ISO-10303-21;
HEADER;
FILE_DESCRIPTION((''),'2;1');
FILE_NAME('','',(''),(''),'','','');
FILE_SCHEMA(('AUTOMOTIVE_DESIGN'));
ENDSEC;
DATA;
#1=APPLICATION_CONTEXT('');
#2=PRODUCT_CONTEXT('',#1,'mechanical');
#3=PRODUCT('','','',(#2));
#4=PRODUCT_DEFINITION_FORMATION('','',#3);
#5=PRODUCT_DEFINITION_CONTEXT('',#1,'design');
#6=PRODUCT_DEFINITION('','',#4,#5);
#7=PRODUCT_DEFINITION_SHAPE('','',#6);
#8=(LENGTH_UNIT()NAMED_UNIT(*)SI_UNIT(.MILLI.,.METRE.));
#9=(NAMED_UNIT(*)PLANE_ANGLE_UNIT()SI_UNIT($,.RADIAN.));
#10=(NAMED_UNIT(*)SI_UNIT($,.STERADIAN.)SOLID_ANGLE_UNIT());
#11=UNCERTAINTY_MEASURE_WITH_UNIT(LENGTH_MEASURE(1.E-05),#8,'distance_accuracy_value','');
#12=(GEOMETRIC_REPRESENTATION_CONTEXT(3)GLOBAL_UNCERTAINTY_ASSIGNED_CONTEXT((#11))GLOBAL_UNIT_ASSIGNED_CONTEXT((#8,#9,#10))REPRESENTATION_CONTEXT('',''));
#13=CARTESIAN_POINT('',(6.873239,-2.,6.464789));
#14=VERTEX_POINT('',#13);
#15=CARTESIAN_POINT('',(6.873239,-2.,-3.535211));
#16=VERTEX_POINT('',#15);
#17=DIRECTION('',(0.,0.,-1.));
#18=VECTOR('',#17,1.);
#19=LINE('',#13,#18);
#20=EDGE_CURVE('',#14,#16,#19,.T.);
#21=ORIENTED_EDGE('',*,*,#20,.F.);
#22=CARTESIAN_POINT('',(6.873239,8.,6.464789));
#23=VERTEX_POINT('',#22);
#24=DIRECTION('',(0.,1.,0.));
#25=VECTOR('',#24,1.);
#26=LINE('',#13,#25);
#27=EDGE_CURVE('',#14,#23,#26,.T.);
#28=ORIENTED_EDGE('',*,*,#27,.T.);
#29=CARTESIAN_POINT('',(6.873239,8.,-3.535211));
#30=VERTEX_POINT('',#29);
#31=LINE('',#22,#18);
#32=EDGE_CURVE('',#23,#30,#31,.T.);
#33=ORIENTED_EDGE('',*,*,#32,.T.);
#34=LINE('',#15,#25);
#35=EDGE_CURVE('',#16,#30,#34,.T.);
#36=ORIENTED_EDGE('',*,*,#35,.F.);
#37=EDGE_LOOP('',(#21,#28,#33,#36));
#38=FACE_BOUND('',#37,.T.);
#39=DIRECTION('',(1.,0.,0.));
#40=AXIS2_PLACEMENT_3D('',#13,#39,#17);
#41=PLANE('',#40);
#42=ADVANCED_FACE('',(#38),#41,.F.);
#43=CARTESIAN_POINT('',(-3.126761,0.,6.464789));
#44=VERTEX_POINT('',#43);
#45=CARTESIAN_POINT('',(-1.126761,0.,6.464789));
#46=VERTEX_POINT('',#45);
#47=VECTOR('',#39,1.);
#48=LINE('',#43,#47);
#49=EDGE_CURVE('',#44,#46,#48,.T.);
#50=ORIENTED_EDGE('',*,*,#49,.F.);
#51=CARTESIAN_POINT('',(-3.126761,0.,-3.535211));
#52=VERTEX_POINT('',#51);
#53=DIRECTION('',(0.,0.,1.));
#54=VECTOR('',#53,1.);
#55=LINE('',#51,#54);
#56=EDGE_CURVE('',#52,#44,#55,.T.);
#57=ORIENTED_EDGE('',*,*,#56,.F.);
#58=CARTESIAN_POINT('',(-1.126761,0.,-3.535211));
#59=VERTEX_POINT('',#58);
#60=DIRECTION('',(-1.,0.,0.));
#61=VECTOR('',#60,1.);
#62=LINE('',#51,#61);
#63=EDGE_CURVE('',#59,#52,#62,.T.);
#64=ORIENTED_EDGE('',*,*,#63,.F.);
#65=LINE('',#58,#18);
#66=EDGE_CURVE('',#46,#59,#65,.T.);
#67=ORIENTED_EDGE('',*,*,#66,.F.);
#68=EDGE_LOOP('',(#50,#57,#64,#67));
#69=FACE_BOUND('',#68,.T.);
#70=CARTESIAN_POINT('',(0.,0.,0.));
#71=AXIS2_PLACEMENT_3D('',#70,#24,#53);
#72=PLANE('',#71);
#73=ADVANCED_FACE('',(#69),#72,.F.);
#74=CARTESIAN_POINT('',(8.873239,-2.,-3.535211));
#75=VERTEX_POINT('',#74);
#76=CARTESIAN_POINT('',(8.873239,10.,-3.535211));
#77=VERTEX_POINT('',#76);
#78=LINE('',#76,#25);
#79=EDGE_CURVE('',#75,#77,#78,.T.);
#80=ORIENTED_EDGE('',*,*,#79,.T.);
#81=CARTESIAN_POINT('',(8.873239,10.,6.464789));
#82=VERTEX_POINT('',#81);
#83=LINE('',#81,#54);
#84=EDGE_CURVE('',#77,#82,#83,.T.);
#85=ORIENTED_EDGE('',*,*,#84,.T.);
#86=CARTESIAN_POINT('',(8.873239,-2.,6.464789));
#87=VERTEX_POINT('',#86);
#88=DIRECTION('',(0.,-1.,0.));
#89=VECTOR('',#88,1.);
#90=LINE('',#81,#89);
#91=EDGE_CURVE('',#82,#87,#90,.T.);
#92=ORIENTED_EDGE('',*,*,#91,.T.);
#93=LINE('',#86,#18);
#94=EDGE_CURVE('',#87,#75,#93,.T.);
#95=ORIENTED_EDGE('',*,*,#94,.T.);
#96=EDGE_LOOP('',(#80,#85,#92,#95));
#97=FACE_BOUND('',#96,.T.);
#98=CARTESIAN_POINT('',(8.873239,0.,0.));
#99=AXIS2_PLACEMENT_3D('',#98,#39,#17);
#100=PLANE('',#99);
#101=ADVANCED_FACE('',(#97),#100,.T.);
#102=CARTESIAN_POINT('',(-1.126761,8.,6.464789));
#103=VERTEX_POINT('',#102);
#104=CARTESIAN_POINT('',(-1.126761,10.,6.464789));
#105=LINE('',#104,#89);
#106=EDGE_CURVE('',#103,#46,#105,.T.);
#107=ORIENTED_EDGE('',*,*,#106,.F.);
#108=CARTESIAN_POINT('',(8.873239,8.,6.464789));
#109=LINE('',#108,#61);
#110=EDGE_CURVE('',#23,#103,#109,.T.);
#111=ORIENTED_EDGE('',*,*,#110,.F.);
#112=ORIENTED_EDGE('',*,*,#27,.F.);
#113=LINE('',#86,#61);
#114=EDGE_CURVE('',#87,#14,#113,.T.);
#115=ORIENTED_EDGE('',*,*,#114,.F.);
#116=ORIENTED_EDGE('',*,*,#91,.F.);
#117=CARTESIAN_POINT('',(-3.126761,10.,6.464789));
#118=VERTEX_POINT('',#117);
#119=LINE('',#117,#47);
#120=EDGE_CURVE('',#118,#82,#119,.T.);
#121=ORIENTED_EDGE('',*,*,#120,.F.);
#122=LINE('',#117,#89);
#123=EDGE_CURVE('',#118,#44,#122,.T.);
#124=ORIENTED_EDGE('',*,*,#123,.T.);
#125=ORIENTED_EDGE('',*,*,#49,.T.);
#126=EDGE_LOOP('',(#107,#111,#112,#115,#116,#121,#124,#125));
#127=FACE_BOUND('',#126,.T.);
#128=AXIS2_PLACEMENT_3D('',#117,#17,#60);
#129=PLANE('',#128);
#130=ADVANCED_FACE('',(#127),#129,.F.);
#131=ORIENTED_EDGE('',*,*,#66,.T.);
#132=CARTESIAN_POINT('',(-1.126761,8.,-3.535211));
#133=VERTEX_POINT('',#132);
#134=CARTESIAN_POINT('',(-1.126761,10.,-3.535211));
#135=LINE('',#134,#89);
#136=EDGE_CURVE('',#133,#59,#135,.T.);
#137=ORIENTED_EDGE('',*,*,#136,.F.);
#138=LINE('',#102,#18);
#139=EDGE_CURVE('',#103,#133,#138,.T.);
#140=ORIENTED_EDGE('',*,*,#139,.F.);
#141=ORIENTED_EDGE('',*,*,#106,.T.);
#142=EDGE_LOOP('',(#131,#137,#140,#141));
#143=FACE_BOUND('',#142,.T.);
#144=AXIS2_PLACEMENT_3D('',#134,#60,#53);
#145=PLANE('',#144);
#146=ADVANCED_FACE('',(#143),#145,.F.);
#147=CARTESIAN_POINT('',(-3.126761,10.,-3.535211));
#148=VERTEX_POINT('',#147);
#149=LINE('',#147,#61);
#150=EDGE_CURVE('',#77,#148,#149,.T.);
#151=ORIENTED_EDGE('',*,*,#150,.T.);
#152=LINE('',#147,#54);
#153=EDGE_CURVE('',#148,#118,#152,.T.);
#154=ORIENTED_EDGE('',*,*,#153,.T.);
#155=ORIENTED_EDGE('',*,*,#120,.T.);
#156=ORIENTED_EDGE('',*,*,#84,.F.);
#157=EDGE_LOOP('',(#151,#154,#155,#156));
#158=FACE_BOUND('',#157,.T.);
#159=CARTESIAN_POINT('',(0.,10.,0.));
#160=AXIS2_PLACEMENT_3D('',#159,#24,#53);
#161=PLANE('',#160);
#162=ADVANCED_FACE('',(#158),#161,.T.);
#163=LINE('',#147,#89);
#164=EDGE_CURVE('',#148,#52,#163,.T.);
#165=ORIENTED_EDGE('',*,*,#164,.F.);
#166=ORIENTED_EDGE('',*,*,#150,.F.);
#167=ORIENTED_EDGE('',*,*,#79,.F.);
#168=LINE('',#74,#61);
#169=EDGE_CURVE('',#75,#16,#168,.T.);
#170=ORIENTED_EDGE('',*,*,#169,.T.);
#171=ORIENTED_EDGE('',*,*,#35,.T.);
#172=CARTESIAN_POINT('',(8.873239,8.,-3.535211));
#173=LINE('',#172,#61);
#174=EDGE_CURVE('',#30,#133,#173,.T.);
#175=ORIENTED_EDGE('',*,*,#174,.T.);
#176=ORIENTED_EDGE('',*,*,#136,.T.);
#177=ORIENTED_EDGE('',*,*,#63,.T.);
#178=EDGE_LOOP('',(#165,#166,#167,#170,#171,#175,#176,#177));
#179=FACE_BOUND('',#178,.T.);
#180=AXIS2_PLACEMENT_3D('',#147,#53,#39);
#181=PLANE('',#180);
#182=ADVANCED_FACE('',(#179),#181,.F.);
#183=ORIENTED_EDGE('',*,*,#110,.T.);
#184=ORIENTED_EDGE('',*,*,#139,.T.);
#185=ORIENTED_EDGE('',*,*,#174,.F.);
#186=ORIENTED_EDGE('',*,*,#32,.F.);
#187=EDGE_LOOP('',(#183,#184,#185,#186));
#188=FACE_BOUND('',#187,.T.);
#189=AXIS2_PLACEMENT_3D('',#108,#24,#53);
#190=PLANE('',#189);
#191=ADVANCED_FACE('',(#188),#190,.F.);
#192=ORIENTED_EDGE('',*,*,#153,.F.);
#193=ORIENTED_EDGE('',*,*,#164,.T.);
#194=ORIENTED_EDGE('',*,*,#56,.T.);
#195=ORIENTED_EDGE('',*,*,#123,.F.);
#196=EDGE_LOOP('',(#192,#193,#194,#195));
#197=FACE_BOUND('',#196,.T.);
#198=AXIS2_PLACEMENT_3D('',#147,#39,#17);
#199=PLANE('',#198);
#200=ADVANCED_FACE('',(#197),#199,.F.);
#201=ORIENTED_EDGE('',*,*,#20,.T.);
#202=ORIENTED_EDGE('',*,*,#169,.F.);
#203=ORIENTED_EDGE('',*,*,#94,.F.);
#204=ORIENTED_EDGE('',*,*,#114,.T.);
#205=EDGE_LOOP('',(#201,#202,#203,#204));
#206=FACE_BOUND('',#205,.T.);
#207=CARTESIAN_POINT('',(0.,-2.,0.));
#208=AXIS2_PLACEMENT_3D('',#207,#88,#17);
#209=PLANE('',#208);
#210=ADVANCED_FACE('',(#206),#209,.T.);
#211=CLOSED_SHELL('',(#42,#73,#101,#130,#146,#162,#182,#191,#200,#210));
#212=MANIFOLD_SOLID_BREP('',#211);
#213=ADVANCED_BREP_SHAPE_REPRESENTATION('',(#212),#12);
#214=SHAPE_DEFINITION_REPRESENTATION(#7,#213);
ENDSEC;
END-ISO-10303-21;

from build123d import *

# Parameters (mm, degrees)
SKETCH1_W           = 2
SKETCH1_H           = 10
BOSS_EXTRUDE1_DEPTH = 10
SKETCH2_W           = 10
SKETCH2_H           = 2
BOSS_EXTRUDE2_DEPTH = 10
SKETCH3_W           = 2
SKETCH3_H           = 10
BOSS_EXTRUDE3_DEPTH = 10


with BuildPart() as part:
    # Sketch1 → Boss-Extrude1 (new body)
    with BuildSketch(Plane(origin=(0, 0, 0), x_dir=(1, 0, 0), z_dir=(0, 1, 0))):
        with Locations((-2.126760563, -1.464788732)):
            Rectangle(SKETCH1_W, SKETCH1_H)
    extrude(amount=BOSS_EXTRUDE1_DEPTH)

    # Sketch2 → Boss-Extrude2 (add)
    with BuildSketch(Plane(origin=(-1.126760563, 0, 0), x_dir=(0, 0, -1), z_dir=(1, 0, 0))):
        with Locations((-1.464788732, 9)):
            Rectangle(SKETCH2_W, SKETCH2_H)
    extrude(amount=BOSS_EXTRUDE2_DEPTH)

    # Sketch3 → Boss-Extrude3 (add)
    with BuildSketch(Plane.XZ.offset(-8)):
        with Locations((7.873239437, 1.464788732)):
            Rectangle(SKETCH3_W, SKETCH3_H)
    extrude(amount=BOSS_EXTRUDE3_DEPTH)


solid = part.part
